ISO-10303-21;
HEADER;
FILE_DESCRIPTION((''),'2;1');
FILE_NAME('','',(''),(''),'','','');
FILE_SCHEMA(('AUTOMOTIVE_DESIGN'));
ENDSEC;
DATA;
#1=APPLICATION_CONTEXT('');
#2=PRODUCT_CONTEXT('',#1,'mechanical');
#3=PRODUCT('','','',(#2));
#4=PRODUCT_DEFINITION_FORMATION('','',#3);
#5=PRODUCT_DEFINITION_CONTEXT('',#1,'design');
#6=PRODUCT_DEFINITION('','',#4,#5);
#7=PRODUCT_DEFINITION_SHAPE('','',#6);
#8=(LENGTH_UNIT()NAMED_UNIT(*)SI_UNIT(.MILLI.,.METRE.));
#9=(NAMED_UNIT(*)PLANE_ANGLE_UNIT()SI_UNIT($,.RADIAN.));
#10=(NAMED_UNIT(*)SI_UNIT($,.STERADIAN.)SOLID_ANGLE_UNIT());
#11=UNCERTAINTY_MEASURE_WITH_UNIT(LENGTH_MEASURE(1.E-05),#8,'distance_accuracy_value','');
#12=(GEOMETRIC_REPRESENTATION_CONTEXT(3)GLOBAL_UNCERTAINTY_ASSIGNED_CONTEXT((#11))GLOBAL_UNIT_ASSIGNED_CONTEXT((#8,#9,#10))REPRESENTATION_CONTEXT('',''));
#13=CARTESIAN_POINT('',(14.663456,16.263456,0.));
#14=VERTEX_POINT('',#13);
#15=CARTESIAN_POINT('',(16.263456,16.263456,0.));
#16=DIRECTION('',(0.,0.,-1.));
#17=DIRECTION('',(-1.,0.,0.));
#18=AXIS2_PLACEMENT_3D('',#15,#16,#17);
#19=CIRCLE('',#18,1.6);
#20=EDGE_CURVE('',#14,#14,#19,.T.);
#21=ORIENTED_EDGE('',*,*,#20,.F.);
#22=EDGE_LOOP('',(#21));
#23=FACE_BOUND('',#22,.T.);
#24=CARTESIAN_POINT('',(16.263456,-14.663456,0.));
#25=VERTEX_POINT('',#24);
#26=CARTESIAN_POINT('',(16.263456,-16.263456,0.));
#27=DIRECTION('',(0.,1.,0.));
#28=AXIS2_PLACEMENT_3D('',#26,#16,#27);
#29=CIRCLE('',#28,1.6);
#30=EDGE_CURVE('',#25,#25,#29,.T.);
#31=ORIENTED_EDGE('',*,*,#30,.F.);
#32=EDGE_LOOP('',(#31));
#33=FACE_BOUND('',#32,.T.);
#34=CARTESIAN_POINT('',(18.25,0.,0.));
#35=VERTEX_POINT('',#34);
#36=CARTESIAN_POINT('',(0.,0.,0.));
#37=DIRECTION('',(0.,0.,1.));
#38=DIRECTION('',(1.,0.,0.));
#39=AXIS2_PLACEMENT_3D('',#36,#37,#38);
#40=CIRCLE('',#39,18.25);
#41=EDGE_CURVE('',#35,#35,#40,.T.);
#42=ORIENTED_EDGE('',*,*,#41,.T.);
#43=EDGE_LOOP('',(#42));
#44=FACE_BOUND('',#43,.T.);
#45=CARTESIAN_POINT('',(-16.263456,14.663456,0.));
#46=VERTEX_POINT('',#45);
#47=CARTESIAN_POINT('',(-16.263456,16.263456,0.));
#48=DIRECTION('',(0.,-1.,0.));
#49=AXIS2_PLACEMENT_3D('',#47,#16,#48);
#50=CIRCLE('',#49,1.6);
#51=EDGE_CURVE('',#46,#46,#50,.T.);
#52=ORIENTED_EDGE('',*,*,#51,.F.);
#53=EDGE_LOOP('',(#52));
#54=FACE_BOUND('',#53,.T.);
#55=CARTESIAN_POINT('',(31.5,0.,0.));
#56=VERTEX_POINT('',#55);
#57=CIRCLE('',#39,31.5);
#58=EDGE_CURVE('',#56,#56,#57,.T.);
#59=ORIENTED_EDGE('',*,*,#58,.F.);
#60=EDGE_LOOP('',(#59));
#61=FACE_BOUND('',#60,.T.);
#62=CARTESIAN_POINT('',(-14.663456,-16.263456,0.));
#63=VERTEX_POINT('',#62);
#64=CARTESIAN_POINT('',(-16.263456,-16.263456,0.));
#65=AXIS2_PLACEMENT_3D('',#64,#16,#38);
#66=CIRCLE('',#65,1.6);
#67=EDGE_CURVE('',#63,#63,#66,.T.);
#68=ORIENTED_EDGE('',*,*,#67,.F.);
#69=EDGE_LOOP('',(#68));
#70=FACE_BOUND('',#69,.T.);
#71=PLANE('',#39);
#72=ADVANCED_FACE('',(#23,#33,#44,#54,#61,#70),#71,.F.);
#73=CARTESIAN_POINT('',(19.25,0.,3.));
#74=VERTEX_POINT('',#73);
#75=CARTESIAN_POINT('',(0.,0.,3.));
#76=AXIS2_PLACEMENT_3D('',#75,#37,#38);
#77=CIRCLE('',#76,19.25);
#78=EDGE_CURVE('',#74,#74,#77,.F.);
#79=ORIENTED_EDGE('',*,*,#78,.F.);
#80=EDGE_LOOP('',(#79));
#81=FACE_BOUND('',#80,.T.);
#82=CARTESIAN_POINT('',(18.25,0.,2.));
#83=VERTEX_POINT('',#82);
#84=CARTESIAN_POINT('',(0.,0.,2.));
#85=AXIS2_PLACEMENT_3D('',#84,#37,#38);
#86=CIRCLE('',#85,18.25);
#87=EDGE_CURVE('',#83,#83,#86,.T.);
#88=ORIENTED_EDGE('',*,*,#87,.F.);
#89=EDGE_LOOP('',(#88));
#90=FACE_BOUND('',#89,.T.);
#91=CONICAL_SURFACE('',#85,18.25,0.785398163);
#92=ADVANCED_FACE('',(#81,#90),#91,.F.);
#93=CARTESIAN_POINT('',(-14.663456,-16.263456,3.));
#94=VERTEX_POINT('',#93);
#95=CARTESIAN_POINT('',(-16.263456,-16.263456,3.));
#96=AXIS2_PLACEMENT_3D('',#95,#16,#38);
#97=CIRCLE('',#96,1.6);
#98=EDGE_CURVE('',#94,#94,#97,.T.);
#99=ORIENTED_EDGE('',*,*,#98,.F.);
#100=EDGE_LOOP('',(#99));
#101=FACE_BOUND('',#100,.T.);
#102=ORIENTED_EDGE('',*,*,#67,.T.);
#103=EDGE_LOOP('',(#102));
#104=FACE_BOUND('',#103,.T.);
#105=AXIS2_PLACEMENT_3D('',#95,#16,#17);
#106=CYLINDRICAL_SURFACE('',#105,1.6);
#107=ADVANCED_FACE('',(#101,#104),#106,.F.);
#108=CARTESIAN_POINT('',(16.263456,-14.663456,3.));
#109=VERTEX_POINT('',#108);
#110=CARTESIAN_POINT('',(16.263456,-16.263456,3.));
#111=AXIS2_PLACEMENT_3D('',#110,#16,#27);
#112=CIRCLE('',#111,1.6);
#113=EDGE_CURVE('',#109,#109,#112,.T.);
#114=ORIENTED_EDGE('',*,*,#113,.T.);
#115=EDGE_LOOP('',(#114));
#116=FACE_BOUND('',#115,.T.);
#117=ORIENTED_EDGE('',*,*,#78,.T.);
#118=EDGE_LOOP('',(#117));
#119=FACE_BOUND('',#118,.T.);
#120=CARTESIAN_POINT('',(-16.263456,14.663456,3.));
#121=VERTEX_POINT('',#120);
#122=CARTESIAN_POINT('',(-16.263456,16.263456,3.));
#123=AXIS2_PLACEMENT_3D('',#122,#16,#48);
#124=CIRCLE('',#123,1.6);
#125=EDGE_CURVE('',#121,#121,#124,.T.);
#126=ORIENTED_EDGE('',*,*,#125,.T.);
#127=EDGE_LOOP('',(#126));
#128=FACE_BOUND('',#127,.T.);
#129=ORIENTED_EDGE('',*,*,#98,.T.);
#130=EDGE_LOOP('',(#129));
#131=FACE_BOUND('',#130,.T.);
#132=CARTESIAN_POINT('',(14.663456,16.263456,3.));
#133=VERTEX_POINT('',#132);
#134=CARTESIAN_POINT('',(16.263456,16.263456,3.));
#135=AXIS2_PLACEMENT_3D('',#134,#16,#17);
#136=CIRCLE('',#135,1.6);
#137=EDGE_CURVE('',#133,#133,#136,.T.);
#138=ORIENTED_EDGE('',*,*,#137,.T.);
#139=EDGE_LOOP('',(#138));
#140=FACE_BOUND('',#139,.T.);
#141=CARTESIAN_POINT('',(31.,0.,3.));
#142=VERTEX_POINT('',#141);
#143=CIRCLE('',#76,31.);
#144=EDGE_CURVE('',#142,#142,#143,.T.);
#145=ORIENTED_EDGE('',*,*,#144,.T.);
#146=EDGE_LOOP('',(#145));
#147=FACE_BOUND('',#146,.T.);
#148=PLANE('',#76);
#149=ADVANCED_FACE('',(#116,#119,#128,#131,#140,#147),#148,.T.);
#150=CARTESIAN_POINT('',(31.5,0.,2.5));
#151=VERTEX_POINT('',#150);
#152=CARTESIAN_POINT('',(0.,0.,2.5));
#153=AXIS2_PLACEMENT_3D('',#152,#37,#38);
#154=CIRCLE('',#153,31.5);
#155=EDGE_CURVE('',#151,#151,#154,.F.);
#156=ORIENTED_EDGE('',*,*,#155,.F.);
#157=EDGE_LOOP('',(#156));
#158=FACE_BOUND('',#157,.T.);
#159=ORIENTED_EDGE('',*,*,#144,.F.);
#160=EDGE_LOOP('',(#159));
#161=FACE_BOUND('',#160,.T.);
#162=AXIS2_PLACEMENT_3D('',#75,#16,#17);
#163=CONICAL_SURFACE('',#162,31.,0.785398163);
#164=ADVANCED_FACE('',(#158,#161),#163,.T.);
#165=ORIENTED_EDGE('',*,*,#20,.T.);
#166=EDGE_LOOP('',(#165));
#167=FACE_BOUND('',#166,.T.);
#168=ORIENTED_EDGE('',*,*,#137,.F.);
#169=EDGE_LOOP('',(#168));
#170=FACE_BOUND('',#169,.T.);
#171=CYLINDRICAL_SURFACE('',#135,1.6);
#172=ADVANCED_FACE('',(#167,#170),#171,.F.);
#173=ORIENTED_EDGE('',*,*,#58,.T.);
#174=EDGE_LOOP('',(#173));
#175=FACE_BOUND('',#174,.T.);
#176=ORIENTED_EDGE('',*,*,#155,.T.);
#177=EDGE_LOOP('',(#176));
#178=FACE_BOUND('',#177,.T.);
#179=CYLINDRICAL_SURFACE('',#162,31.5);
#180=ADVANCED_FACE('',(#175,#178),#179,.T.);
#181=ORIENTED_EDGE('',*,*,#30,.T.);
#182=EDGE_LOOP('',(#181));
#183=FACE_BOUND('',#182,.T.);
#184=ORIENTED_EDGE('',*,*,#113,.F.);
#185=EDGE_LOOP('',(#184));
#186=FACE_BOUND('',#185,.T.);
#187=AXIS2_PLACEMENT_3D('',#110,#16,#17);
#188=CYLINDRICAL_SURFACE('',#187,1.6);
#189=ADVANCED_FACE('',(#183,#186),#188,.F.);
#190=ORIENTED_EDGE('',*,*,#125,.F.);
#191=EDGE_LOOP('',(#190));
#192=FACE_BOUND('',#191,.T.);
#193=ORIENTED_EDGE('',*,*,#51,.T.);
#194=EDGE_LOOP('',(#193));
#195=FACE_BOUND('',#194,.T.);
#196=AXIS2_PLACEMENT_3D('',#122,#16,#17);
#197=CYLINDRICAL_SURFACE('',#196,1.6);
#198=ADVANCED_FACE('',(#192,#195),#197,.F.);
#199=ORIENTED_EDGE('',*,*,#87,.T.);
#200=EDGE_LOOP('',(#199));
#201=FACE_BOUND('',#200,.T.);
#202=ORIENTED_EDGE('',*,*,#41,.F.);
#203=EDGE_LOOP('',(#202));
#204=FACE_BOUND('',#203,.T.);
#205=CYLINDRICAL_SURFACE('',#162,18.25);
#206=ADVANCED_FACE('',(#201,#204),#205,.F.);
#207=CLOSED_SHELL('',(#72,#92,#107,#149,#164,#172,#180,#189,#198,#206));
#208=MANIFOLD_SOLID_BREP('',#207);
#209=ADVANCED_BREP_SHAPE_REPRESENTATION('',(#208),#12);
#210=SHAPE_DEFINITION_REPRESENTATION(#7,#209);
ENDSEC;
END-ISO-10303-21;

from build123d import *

# Parameters (mm, degrees)
SKETCH_1_R               = 31.5
SKETCH_1_R_2             = 18.25
EXTRUDE_1_DEPTH          = 3
CHAMFER_2_SIZE           = 1
CHAMFER_3_SIZE           = 0.5
SKETCH_2_R               = 1.6
CUT_EXTRUDE_1_DEPTH      = 45.648628198
PATTERN_CIRCULAR_1_COUNT = 4


with BuildPart() as part:
    # Эскиз1 → Бобышка-Вытянуть1 (new body)
    with BuildSketch(Plane.XY):
        Circle(SKETCH_1_R)
        Circle(SKETCH_1_R_2, mode=Mode.SUBTRACT)
    extrude(amount=EXTRUDE_1_DEPTH)

    # Фаска2
    chamfer_2_edges = [part.edges().sort_by_distance(p)[0] for p in [
        (-18.25, 0, 3),
    ]]
    chamfer(chamfer_2_edges, length=CHAMFER_2_SIZE)

    # Фаска3
    chamfer_3_edges = [part.edges().sort_by_distance(p)[0] for p in [
        (-31.5, 0, 3),
    ]]
    chamfer(chamfer_3_edges, length=CHAMFER_3_SIZE)

    # Эскиз2 → Вырез-Вытянуть1 (cut, through all)
    with BuildSketch(Plane(origin=(0, 0, 0), x_dir=(-1, 0, 0), z_dir=(0, 0, -1))):
        with Locations((-16.263455967, 16.263455967)):
            Circle(SKETCH_2_R)
    cut_extrude_1 = extrude(amount=-CUT_EXTRUDE_1_DEPTH, mode=Mode.SUBTRACT)

    # Круговой массив1: Вырез-Вытянуть1 ×4 about axis
    pattern_circular_1_axis = Axis((0, 0, 2), (0, 0, -1))
    for i in range(1, PATTERN_CIRCULAR_1_COUNT):
        add(cut_extrude_1.rotate(pattern_circular_1_axis, i * 360 / PATTERN_CIRCULAR_1_COUNT), mode=Mode.SUBTRACT)


solid = part.part
